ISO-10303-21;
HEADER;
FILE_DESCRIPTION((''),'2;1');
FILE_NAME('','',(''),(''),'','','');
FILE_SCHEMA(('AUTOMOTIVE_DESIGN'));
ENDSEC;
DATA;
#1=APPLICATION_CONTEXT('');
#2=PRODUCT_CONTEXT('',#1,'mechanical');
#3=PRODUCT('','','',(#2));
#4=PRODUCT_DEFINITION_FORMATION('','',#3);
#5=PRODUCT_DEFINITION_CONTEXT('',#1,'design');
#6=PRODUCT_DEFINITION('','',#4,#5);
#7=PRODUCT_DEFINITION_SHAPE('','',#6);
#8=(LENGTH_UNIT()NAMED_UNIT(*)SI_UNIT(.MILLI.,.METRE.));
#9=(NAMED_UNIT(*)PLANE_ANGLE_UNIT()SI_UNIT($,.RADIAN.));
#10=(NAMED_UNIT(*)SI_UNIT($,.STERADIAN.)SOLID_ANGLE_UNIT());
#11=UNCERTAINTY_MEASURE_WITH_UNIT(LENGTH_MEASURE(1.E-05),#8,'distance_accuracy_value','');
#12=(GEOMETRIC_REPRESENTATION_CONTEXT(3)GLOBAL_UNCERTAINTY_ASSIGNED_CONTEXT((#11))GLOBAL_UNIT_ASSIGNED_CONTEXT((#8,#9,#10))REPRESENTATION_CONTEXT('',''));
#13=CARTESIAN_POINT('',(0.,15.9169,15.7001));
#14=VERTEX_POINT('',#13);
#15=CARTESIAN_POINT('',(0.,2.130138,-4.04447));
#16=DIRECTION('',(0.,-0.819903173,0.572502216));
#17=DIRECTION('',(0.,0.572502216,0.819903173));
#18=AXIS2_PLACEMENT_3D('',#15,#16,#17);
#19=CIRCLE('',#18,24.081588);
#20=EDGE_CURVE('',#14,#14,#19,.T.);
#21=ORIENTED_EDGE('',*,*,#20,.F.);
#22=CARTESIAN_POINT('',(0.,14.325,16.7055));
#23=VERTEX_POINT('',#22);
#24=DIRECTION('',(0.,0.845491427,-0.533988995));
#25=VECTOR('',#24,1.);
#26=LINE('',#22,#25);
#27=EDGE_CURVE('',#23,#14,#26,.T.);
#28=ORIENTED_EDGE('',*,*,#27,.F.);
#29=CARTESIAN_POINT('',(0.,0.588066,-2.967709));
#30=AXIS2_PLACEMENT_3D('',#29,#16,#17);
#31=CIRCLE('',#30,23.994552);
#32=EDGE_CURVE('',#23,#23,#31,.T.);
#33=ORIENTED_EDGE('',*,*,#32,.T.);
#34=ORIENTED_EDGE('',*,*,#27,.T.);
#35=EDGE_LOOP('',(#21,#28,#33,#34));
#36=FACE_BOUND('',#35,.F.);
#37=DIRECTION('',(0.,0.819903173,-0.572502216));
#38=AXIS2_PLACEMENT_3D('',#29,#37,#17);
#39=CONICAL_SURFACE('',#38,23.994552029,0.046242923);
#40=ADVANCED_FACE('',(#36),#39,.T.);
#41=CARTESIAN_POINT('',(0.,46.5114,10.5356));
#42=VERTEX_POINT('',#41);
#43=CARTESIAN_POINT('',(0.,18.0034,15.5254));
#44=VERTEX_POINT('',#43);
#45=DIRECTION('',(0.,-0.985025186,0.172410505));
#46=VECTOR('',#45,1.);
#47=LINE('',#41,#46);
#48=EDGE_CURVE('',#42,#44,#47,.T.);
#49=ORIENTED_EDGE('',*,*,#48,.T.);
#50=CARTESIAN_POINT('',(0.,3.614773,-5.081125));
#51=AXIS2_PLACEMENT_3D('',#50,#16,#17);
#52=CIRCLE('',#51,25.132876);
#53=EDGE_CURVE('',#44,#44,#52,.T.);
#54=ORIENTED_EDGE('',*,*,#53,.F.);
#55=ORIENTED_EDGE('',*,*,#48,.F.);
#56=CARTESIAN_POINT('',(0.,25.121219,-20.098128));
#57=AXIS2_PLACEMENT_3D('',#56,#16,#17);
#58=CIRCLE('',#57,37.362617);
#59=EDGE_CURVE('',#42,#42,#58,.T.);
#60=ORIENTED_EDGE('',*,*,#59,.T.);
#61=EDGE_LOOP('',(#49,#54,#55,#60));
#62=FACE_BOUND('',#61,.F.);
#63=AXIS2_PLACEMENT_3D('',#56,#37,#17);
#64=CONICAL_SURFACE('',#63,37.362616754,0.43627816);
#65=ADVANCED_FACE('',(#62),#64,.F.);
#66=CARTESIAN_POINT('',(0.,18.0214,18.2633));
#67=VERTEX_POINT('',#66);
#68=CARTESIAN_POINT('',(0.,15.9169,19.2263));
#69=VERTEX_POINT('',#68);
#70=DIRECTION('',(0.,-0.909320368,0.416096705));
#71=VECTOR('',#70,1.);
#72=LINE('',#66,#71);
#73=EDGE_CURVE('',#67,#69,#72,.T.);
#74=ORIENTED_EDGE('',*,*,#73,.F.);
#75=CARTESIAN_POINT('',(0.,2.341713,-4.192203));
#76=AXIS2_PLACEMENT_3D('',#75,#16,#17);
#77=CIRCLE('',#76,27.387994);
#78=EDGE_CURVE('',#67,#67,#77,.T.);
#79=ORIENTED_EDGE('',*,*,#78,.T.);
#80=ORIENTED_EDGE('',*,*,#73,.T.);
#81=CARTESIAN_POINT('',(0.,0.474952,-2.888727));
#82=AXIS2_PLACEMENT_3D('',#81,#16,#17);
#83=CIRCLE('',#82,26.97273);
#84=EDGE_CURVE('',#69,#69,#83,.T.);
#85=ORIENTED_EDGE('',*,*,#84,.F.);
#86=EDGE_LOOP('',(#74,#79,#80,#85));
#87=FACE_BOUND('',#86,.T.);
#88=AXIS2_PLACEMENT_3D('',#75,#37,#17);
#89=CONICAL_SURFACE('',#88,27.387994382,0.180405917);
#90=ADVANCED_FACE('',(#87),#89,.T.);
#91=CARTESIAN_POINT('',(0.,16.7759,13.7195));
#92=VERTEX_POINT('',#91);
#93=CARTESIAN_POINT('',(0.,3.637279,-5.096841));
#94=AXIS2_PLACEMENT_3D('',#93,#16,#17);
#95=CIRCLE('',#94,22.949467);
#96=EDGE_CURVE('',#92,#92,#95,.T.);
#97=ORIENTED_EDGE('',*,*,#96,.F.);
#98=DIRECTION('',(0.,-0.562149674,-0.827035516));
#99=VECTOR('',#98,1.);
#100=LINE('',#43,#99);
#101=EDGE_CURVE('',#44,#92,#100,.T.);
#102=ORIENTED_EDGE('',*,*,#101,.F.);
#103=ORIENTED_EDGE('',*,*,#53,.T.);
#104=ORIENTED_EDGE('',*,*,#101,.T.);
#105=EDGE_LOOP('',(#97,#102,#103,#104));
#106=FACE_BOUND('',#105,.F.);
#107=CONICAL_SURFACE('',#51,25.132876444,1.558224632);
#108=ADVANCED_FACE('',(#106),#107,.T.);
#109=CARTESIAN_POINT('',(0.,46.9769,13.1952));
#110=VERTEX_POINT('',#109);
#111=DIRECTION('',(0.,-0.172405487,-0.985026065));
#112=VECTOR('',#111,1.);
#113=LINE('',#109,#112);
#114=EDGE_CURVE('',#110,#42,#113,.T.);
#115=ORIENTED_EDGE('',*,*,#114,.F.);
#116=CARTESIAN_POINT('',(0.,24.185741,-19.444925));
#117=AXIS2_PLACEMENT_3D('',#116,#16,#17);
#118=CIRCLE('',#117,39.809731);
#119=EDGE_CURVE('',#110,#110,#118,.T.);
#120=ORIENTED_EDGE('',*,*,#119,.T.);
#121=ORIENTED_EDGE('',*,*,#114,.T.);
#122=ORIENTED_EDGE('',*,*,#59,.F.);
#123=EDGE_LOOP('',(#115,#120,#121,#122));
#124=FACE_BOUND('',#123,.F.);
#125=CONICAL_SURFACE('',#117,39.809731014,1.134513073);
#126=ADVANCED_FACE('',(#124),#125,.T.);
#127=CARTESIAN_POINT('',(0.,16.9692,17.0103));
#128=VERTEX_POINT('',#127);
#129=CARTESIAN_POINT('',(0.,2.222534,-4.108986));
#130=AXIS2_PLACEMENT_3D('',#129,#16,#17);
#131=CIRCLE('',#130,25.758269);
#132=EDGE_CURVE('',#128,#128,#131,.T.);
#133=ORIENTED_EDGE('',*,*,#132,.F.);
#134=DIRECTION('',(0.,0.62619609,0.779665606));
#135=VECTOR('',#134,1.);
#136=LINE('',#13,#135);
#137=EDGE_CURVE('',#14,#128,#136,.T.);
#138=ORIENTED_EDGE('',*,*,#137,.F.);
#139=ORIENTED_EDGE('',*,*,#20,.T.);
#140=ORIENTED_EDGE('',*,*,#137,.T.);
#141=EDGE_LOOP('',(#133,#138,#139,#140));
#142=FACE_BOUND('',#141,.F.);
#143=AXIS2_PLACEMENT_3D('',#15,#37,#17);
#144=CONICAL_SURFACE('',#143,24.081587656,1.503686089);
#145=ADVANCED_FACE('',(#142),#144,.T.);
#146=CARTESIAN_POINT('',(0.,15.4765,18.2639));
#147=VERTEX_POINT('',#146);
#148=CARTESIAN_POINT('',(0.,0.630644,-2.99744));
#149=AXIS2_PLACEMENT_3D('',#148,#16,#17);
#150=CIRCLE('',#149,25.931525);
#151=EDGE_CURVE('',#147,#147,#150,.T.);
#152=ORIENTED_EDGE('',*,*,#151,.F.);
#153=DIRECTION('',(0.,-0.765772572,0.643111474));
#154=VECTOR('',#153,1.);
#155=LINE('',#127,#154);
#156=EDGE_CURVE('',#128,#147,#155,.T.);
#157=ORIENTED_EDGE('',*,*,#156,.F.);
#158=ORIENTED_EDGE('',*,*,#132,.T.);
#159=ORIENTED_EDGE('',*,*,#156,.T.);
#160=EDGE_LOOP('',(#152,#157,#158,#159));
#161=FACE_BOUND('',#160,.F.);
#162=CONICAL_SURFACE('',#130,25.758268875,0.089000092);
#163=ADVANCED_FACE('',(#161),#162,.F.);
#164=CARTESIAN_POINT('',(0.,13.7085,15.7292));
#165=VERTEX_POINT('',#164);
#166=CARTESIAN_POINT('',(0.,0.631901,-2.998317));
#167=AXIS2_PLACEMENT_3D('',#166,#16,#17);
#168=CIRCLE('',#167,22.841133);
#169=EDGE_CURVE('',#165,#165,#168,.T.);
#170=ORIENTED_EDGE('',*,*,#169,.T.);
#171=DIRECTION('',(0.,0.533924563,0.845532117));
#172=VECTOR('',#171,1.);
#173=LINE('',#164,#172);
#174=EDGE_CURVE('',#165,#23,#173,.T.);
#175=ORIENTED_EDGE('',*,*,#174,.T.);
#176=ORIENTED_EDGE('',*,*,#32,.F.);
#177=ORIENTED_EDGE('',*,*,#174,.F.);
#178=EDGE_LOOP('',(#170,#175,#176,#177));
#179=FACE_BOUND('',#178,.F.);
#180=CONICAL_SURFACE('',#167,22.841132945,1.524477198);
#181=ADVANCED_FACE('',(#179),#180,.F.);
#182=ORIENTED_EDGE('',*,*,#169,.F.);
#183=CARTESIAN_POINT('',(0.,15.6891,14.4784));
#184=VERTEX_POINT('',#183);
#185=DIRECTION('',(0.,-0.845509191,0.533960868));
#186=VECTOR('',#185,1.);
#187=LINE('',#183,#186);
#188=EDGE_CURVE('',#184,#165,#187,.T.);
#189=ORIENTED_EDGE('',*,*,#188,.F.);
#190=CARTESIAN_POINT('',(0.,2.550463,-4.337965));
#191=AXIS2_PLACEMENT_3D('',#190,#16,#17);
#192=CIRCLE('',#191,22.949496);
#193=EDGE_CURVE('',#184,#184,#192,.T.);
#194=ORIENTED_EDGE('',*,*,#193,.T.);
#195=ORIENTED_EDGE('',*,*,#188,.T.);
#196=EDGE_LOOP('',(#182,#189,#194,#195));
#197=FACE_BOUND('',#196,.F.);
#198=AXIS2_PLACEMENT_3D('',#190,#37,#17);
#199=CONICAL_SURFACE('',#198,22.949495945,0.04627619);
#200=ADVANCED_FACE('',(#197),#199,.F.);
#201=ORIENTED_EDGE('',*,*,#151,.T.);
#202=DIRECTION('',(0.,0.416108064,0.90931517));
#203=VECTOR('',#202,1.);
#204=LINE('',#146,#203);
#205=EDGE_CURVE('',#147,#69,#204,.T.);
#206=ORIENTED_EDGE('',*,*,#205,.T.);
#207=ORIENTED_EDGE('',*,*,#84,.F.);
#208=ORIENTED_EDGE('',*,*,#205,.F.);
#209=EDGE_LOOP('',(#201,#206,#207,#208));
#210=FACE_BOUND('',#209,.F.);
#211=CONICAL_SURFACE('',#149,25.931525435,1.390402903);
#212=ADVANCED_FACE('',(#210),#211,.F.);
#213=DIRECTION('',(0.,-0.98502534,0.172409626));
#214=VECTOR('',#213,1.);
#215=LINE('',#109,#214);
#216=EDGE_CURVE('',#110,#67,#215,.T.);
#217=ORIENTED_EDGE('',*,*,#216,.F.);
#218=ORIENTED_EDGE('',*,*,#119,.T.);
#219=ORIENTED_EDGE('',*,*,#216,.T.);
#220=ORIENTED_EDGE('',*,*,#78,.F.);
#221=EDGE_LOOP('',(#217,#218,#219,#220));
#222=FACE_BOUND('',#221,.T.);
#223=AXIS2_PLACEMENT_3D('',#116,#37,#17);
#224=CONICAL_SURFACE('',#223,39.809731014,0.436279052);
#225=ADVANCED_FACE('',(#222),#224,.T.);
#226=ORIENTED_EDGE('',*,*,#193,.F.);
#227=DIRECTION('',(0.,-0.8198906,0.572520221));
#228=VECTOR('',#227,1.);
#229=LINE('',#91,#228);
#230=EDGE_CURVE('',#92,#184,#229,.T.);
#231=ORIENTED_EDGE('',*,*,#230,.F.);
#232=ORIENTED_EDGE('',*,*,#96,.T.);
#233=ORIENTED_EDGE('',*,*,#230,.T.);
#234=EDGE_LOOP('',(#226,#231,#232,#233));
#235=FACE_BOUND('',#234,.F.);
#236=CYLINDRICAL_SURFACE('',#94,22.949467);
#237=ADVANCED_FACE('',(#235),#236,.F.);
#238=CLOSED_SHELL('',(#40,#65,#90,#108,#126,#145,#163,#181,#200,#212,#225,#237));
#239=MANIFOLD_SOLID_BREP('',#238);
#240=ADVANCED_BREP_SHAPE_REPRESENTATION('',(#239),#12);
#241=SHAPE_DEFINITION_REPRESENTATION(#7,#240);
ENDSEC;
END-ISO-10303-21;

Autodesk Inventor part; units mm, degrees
ref_plane "YZ Plane" through (0, 0, 0) normal (1, 0, 0) x (0, 1, 0)
ref_plane "XZ Plane" through (0, 0, 0) normal (0, 1, 0) x (-1, 0, 0)
ref_plane "XY Plane" through (0, 0, 0) normal (0, 0, 1) x (1, 0, 0)
sketch "Sketch68" plane through (0, 0, 0) normal (1, 0, 0) x (0, 1, 0)
  line L0 (1, 4.6737) -> (23, 4.6737) construction
  line L1 (7.0021, -2.9903) -> (-7.0029, -0.0135)
  line L2 (7.2385, 26.8729) -> (5.7713, 27.1847)
  line L3 (2.4565, 4.3755) -> (1, 4.6737)
  line L4 (5.7713, 27.1847) -> (1, 4.6737)
  line L5 (7.2385, 26.8729) -> (2.4565, 4.3755)
  point P0 (0, 0)
  point P1 (2.225, 5.1772)
sketch "Sketch184" plane through (0, 0, 0) normal (1, 0, 0) x (0, 1, 0)
  arc A0 (-3.5, -3.0972) -> (0, -1.6204) centre (-4.281, 3.6397) ccw
  arc A1 (0, -1.6204) -> (2.2822, 2) centre (-4.3557, 3.6547) ccw
  arc A2 (2.2822, 2) -> (2.459, 4.3851) centre (-8.8285, 4.0231) ccw
  arc A3 (2.459, 4.3851) -> (2.3883, 6) centre (-72.7121, 1.9029) ccw
  line L0 (-3.5, -3.0972) -> (-3.5, -3.6807) projected
  arc A4 (2.3883, 6) -> (-3.5, -3.0972) centre (8.6947, -4.5362) ccw
  point P0 (0, 0)
sketch "Sketch213" plane through (0, 0, 0) normal (1, 0, 0) x (0, 1, 0)
  line L0 (13.3414, -11.8728) -> (-10.8201, 5)
  line L1 (46.9769, 13.1952) -> (18.0214, 18.2633)
  line L2 (-13.3385, -26.1425) -> (0.7357, -50.4491)
  line L3 (0.7357, -50.4491) -> (1.9473, -49.7476)
  line L4 (1.9473, -49.7476) -> (-11.7207, -26.1425)
  line L5 (-11.7207, -26.1425) -> (-10, -24)
  line L6 (46.5114, 10.5356) -> (18.0034, 15.5254)
  line L7 (18.0034, 15.5254) -> (16.7759, 13.7195)
  line L8 (16.7759, 13.7195) -> (15.6891, 14.4784)
  line L9 (46.9769, 13.1952) -> (46.5114, 10.5356)
  line L10 (-13.3385, -26.1425) -> (-16, -24)
  line L11 (-16, -24) -> (-15.3672, -23.2139)
  line L12 (-15.3672, -23.2139) -> (-13.3385, -24.8471)
  line L13 (-13.3385, -24.8471) -> (-12.3402, -23.607)
  line L14 (-12.3402, -23.607) -> (-14.3528, -21.9897)
  line L15 (-14.3528, -21.9897) -> (-13.6273, -21.0868)
  line L16 (-10, -24) -> (-13.6273, -21.0868)
  line L17 (15.6891, 14.4784) -> (13.7085, 15.7292)
  line L18 (13.7085, 15.7292) -> (14.325, 16.7055)
  line L19 (14.325, 16.7055) -> (15.9169, 15.7001)
  line L20 (18.0214, 18.2633) -> (15.9169, 19.2263)
  line L21 (15.9169, 15.7001) -> (16.9692, 17.0103)
  line L22 (16.9692, 17.0103) -> (15.4765, 18.2639)
  line L23 (15.4765, 18.2639) -> (15.9169, 19.2263)
  point P0 (0, 0)
  point P1 (3.3399, -2.2736)
  point P2 (-1.2043, -8.7808)
  dimension "d600" = 1.4
  dimension "d601" = 2.7
revolve "Revolution5" add sketch "Sketch213" angle 360 about axis through (0, 13.3414, -11.8728) along (0, -0.8199, 0.5725) contours L9 L6 L7 L8 L17 L18 L19 L21 L22 L23 L20 L1
properties part number "A1V1M2_dropArm_superWOK_tall_interface_FULL_360"
